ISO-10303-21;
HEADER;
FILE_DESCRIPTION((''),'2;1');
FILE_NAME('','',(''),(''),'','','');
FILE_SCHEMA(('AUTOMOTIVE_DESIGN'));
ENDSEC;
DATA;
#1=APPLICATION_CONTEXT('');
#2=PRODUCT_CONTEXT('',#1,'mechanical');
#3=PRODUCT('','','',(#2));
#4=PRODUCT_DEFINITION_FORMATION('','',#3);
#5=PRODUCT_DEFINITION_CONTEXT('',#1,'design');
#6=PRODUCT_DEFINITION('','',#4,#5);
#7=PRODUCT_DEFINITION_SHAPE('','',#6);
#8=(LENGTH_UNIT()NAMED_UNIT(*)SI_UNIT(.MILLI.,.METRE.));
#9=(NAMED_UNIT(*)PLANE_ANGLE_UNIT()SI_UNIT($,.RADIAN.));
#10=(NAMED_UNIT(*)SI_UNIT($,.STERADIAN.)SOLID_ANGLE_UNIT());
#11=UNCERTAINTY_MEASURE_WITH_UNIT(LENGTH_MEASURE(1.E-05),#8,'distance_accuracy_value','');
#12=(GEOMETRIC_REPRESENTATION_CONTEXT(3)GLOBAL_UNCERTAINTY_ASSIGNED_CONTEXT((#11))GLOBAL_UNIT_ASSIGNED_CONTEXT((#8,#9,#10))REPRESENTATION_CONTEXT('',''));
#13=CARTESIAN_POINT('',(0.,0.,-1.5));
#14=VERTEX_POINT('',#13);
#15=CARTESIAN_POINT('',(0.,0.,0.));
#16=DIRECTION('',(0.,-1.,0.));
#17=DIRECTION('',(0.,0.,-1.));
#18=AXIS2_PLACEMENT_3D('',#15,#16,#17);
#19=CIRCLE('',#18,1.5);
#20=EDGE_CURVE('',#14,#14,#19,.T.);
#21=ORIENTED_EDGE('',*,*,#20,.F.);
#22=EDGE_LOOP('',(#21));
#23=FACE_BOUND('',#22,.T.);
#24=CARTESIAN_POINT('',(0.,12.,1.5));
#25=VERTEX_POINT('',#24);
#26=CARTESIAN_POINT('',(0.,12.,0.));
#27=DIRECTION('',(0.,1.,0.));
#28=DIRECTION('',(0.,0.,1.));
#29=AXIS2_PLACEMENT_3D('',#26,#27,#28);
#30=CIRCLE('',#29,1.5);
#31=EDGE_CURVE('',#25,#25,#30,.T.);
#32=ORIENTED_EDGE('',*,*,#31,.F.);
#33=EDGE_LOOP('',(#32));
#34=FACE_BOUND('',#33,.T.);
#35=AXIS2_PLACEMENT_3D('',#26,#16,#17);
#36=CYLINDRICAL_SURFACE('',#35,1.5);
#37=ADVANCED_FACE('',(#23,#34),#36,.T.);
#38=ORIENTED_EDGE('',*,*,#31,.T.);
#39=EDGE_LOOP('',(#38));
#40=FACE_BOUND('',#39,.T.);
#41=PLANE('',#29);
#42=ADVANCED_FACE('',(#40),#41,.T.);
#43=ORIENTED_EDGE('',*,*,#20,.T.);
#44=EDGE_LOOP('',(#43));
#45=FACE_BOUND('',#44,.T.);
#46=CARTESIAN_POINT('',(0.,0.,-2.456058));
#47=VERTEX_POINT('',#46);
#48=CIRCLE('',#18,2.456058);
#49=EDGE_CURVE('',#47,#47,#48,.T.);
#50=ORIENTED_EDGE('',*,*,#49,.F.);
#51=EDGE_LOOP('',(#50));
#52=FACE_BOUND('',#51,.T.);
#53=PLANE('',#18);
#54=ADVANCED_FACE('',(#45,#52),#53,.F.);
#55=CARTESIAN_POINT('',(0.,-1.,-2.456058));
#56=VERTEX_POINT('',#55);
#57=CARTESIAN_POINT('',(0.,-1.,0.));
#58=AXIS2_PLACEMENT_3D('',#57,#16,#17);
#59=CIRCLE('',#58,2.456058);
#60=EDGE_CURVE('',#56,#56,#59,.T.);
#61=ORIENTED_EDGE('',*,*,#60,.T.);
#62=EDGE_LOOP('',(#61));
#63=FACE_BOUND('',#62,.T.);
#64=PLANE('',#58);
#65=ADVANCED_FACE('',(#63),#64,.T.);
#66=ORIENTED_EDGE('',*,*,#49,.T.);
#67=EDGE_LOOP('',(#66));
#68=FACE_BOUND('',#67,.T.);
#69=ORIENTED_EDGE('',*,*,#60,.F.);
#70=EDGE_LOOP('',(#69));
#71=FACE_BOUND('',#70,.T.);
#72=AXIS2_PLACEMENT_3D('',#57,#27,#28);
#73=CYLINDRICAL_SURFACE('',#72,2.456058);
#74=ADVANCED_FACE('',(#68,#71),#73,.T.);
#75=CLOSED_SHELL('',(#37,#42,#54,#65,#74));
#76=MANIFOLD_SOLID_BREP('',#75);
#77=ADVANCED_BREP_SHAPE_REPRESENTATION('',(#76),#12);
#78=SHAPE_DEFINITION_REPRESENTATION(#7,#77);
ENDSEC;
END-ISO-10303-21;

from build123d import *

# Parameters (mm, degrees)
ESBO_O1_R                = 1.5
RESSALTO_EXTRUS_O1_DEPTH = 12
ESBO_O2_R                = 2.456057754
RESSALTO_EXTRUS_O2_DEPTH = 1


with BuildPart() as part:
    # Esboço1 → Ressalto-extrusão1 (new body)
    with BuildSketch(Plane(origin=(0, 0, 0), x_dir=(1, 0, 0), z_dir=(0, 1, 0))):
        Circle(ESBO_O1_R)
    extrude(amount=RESSALTO_EXTRUS_O1_DEPTH)

    # Esboço2 → Ressalto-extrusão2 (add)
    with BuildSketch(Plane(origin=(0, 0, 0), x_dir=(-1, 0, 0), z_dir=(0, -1, 0))):
        Circle(ESBO_O2_R)
    extrude(amount=RESSALTO_EXTRUS_O2_DEPTH)


solid = part.part
